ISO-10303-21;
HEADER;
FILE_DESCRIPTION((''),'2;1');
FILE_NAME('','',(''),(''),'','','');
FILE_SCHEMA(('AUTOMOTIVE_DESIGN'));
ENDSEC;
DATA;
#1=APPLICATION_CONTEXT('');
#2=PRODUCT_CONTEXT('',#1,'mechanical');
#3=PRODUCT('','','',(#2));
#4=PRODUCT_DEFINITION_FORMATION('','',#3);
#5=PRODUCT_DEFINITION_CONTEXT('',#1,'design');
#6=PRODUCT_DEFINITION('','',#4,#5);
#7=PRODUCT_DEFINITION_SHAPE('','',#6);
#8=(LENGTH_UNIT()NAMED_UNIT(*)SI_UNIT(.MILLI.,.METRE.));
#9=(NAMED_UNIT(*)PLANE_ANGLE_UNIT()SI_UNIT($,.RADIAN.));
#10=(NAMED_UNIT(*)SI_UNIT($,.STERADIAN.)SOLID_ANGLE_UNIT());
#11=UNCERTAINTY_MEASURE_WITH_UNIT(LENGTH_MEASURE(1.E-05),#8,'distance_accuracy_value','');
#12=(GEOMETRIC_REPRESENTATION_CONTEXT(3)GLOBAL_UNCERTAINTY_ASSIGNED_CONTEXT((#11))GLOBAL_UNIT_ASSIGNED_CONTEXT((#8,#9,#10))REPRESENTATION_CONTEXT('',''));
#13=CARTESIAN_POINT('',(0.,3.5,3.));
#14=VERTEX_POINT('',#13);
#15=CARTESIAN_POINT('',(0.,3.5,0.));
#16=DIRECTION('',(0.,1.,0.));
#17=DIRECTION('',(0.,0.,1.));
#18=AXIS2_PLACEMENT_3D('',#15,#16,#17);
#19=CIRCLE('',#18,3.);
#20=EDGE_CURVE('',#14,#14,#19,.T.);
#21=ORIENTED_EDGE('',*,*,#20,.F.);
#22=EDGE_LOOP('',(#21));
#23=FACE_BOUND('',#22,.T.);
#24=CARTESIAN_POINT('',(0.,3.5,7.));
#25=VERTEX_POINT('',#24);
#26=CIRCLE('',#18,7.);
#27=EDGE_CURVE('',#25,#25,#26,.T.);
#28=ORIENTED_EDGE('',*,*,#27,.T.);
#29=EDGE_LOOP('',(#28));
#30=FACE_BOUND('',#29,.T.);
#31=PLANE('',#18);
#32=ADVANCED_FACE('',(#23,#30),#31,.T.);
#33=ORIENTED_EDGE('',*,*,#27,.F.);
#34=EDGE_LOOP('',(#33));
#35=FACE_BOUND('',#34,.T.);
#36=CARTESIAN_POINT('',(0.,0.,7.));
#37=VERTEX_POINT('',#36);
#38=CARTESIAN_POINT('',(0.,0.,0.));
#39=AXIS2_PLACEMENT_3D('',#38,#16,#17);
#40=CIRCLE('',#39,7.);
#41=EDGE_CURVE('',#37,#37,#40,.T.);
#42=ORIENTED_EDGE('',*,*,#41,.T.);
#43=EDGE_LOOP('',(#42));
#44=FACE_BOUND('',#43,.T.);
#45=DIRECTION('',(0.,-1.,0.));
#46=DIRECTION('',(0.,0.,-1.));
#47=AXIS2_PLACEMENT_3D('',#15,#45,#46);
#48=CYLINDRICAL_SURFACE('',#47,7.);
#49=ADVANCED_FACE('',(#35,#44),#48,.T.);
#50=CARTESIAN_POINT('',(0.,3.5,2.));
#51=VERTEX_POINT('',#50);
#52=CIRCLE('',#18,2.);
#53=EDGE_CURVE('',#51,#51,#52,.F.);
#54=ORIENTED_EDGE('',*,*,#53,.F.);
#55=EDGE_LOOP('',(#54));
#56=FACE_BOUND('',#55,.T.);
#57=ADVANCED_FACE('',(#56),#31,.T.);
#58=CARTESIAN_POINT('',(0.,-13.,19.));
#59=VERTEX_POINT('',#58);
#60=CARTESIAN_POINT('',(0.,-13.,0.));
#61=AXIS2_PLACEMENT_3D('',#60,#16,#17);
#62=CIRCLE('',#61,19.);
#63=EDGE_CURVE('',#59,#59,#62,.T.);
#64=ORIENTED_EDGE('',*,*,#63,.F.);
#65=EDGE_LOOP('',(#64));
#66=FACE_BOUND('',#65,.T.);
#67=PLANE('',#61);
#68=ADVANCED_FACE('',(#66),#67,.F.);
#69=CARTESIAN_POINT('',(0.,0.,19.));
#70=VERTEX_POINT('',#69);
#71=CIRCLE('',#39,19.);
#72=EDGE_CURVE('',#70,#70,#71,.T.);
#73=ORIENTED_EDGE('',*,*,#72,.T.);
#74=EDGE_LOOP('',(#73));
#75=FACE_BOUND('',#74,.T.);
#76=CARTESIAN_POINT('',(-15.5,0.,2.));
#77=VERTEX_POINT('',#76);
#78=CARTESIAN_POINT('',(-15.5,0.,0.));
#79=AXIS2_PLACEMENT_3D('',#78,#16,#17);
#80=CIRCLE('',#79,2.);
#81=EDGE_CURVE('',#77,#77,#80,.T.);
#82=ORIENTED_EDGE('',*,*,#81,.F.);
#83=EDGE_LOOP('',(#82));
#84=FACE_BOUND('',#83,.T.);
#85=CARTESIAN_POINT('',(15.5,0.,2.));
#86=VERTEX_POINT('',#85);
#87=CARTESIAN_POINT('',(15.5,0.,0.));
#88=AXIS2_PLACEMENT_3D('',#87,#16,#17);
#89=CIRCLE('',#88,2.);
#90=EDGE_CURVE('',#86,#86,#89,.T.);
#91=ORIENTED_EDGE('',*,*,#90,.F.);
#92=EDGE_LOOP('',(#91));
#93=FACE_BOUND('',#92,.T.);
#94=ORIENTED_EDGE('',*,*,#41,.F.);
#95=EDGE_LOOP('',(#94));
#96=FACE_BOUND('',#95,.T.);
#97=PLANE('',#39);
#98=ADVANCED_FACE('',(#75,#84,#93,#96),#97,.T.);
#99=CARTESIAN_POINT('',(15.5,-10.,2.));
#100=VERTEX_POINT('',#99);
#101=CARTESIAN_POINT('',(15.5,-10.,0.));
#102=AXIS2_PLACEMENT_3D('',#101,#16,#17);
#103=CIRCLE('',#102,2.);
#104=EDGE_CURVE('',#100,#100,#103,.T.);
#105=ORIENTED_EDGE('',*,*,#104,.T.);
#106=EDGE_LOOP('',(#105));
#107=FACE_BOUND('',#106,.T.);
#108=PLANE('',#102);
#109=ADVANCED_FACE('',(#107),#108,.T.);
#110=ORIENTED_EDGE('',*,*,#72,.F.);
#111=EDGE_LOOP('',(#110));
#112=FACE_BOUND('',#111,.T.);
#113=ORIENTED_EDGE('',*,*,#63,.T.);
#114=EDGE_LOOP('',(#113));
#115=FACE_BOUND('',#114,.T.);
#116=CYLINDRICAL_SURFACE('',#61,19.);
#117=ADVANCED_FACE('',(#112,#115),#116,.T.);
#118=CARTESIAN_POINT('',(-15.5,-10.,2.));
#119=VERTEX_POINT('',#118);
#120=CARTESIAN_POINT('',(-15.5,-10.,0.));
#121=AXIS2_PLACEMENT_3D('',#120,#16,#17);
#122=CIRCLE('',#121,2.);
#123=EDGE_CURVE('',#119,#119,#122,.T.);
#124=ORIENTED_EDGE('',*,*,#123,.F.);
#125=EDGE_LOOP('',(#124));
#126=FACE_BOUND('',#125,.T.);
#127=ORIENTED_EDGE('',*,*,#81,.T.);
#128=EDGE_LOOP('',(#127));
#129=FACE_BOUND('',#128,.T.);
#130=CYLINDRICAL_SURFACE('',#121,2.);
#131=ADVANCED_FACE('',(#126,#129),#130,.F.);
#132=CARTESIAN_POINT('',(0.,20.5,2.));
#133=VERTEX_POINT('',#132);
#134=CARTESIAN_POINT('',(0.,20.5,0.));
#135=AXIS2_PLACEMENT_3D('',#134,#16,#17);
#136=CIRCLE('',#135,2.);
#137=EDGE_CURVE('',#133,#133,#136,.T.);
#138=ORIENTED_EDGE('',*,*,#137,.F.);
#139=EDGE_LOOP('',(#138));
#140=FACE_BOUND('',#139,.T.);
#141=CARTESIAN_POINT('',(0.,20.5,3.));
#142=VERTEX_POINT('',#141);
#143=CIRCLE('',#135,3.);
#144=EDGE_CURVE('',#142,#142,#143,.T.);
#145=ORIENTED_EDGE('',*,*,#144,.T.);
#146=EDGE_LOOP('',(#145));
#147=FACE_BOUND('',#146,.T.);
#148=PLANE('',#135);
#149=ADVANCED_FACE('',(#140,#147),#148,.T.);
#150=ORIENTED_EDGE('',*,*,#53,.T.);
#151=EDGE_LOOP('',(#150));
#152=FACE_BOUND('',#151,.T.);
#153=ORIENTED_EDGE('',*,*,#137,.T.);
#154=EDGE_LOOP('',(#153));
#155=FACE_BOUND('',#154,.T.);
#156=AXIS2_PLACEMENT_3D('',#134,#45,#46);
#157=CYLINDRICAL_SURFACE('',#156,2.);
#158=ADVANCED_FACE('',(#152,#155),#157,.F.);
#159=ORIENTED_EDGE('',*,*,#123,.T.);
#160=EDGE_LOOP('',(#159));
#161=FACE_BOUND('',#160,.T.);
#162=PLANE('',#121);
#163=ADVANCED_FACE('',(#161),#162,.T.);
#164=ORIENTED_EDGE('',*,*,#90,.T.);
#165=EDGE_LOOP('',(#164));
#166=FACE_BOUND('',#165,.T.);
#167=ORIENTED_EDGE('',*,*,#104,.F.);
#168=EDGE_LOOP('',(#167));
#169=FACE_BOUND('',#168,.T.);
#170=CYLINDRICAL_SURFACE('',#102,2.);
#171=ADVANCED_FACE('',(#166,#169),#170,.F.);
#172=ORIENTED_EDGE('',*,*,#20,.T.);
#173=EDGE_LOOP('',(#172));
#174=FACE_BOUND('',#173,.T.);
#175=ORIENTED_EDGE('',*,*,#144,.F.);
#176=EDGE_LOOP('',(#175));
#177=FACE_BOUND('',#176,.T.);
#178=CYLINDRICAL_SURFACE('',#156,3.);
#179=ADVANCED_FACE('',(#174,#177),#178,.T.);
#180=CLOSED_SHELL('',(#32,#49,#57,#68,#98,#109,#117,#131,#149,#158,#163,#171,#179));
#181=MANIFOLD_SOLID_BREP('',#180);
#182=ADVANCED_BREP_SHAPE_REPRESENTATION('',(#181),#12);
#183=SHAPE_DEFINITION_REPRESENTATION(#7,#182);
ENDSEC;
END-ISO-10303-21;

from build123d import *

# Parameters (mm, degrees)
IZIM1_R                     = 19
Y_KSEKLIK_EKSTR_ZYON1_DEPTH = 13
IZIM2_R                     = 2
KES_EKSTR_ZYON1_DEPTH       = 10
IZIM3_R                     = 7
Y_KSEKLIK_EKSTR_ZYON2_DEPTH = 3.5
IZIM4_R                     = 3
IZIM4_R_2                   = 2
Y_KSEKLIK_EKSTR_ZYON3_DEPTH = 17


with BuildPart() as part:
    # Çizim1 → Yükseklik-Ekstrüzyon1 (new body)
    with BuildSketch(Plane(origin=(0, 0, 0), x_dir=(1, 0, 0), z_dir=(0, 1, 0))):
        Circle(IZIM1_R)
    extrude(amount=-Y_KSEKLIK_EKSTR_ZYON1_DEPTH)

    # Çizim2 → Kes-Ekstrüzyon1 (cut)
    with BuildSketch(Plane(origin=(0, 0, 0), x_dir=(1, 0, 0), z_dir=(0, 1, 0))):
        with Locations((-15.5, 0)):
            Circle(IZIM2_R)
        with Locations((15.5, 0)):
            Circle(IZIM2_R)
    extrude(amount=-KES_EKSTR_ZYON1_DEPTH, mode=Mode.SUBTRACT)

    # Çizim3 → Yükseklik-Ekstrüzyon2 (add)
    with BuildSketch(Plane(origin=(0, 0, 0), x_dir=(1, 0, 0), z_dir=(0, 1, 0))):
        Circle(IZIM3_R)
    extrude(amount=Y_KSEKLIK_EKSTR_ZYON2_DEPTH)

    # Çizim4 → Yükseklik-Ekstrüzyon3 (add)
    with BuildSketch(Plane(origin=(0, 3.5, 0), x_dir=(1, 0, 0), z_dir=(0, 1, 0))):
        Circle(IZIM4_R)
        Circle(IZIM4_R_2, mode=Mode.SUBTRACT)
    extrude(amount=Y_KSEKLIK_EKSTR_ZYON3_DEPTH)


solid = part.part
